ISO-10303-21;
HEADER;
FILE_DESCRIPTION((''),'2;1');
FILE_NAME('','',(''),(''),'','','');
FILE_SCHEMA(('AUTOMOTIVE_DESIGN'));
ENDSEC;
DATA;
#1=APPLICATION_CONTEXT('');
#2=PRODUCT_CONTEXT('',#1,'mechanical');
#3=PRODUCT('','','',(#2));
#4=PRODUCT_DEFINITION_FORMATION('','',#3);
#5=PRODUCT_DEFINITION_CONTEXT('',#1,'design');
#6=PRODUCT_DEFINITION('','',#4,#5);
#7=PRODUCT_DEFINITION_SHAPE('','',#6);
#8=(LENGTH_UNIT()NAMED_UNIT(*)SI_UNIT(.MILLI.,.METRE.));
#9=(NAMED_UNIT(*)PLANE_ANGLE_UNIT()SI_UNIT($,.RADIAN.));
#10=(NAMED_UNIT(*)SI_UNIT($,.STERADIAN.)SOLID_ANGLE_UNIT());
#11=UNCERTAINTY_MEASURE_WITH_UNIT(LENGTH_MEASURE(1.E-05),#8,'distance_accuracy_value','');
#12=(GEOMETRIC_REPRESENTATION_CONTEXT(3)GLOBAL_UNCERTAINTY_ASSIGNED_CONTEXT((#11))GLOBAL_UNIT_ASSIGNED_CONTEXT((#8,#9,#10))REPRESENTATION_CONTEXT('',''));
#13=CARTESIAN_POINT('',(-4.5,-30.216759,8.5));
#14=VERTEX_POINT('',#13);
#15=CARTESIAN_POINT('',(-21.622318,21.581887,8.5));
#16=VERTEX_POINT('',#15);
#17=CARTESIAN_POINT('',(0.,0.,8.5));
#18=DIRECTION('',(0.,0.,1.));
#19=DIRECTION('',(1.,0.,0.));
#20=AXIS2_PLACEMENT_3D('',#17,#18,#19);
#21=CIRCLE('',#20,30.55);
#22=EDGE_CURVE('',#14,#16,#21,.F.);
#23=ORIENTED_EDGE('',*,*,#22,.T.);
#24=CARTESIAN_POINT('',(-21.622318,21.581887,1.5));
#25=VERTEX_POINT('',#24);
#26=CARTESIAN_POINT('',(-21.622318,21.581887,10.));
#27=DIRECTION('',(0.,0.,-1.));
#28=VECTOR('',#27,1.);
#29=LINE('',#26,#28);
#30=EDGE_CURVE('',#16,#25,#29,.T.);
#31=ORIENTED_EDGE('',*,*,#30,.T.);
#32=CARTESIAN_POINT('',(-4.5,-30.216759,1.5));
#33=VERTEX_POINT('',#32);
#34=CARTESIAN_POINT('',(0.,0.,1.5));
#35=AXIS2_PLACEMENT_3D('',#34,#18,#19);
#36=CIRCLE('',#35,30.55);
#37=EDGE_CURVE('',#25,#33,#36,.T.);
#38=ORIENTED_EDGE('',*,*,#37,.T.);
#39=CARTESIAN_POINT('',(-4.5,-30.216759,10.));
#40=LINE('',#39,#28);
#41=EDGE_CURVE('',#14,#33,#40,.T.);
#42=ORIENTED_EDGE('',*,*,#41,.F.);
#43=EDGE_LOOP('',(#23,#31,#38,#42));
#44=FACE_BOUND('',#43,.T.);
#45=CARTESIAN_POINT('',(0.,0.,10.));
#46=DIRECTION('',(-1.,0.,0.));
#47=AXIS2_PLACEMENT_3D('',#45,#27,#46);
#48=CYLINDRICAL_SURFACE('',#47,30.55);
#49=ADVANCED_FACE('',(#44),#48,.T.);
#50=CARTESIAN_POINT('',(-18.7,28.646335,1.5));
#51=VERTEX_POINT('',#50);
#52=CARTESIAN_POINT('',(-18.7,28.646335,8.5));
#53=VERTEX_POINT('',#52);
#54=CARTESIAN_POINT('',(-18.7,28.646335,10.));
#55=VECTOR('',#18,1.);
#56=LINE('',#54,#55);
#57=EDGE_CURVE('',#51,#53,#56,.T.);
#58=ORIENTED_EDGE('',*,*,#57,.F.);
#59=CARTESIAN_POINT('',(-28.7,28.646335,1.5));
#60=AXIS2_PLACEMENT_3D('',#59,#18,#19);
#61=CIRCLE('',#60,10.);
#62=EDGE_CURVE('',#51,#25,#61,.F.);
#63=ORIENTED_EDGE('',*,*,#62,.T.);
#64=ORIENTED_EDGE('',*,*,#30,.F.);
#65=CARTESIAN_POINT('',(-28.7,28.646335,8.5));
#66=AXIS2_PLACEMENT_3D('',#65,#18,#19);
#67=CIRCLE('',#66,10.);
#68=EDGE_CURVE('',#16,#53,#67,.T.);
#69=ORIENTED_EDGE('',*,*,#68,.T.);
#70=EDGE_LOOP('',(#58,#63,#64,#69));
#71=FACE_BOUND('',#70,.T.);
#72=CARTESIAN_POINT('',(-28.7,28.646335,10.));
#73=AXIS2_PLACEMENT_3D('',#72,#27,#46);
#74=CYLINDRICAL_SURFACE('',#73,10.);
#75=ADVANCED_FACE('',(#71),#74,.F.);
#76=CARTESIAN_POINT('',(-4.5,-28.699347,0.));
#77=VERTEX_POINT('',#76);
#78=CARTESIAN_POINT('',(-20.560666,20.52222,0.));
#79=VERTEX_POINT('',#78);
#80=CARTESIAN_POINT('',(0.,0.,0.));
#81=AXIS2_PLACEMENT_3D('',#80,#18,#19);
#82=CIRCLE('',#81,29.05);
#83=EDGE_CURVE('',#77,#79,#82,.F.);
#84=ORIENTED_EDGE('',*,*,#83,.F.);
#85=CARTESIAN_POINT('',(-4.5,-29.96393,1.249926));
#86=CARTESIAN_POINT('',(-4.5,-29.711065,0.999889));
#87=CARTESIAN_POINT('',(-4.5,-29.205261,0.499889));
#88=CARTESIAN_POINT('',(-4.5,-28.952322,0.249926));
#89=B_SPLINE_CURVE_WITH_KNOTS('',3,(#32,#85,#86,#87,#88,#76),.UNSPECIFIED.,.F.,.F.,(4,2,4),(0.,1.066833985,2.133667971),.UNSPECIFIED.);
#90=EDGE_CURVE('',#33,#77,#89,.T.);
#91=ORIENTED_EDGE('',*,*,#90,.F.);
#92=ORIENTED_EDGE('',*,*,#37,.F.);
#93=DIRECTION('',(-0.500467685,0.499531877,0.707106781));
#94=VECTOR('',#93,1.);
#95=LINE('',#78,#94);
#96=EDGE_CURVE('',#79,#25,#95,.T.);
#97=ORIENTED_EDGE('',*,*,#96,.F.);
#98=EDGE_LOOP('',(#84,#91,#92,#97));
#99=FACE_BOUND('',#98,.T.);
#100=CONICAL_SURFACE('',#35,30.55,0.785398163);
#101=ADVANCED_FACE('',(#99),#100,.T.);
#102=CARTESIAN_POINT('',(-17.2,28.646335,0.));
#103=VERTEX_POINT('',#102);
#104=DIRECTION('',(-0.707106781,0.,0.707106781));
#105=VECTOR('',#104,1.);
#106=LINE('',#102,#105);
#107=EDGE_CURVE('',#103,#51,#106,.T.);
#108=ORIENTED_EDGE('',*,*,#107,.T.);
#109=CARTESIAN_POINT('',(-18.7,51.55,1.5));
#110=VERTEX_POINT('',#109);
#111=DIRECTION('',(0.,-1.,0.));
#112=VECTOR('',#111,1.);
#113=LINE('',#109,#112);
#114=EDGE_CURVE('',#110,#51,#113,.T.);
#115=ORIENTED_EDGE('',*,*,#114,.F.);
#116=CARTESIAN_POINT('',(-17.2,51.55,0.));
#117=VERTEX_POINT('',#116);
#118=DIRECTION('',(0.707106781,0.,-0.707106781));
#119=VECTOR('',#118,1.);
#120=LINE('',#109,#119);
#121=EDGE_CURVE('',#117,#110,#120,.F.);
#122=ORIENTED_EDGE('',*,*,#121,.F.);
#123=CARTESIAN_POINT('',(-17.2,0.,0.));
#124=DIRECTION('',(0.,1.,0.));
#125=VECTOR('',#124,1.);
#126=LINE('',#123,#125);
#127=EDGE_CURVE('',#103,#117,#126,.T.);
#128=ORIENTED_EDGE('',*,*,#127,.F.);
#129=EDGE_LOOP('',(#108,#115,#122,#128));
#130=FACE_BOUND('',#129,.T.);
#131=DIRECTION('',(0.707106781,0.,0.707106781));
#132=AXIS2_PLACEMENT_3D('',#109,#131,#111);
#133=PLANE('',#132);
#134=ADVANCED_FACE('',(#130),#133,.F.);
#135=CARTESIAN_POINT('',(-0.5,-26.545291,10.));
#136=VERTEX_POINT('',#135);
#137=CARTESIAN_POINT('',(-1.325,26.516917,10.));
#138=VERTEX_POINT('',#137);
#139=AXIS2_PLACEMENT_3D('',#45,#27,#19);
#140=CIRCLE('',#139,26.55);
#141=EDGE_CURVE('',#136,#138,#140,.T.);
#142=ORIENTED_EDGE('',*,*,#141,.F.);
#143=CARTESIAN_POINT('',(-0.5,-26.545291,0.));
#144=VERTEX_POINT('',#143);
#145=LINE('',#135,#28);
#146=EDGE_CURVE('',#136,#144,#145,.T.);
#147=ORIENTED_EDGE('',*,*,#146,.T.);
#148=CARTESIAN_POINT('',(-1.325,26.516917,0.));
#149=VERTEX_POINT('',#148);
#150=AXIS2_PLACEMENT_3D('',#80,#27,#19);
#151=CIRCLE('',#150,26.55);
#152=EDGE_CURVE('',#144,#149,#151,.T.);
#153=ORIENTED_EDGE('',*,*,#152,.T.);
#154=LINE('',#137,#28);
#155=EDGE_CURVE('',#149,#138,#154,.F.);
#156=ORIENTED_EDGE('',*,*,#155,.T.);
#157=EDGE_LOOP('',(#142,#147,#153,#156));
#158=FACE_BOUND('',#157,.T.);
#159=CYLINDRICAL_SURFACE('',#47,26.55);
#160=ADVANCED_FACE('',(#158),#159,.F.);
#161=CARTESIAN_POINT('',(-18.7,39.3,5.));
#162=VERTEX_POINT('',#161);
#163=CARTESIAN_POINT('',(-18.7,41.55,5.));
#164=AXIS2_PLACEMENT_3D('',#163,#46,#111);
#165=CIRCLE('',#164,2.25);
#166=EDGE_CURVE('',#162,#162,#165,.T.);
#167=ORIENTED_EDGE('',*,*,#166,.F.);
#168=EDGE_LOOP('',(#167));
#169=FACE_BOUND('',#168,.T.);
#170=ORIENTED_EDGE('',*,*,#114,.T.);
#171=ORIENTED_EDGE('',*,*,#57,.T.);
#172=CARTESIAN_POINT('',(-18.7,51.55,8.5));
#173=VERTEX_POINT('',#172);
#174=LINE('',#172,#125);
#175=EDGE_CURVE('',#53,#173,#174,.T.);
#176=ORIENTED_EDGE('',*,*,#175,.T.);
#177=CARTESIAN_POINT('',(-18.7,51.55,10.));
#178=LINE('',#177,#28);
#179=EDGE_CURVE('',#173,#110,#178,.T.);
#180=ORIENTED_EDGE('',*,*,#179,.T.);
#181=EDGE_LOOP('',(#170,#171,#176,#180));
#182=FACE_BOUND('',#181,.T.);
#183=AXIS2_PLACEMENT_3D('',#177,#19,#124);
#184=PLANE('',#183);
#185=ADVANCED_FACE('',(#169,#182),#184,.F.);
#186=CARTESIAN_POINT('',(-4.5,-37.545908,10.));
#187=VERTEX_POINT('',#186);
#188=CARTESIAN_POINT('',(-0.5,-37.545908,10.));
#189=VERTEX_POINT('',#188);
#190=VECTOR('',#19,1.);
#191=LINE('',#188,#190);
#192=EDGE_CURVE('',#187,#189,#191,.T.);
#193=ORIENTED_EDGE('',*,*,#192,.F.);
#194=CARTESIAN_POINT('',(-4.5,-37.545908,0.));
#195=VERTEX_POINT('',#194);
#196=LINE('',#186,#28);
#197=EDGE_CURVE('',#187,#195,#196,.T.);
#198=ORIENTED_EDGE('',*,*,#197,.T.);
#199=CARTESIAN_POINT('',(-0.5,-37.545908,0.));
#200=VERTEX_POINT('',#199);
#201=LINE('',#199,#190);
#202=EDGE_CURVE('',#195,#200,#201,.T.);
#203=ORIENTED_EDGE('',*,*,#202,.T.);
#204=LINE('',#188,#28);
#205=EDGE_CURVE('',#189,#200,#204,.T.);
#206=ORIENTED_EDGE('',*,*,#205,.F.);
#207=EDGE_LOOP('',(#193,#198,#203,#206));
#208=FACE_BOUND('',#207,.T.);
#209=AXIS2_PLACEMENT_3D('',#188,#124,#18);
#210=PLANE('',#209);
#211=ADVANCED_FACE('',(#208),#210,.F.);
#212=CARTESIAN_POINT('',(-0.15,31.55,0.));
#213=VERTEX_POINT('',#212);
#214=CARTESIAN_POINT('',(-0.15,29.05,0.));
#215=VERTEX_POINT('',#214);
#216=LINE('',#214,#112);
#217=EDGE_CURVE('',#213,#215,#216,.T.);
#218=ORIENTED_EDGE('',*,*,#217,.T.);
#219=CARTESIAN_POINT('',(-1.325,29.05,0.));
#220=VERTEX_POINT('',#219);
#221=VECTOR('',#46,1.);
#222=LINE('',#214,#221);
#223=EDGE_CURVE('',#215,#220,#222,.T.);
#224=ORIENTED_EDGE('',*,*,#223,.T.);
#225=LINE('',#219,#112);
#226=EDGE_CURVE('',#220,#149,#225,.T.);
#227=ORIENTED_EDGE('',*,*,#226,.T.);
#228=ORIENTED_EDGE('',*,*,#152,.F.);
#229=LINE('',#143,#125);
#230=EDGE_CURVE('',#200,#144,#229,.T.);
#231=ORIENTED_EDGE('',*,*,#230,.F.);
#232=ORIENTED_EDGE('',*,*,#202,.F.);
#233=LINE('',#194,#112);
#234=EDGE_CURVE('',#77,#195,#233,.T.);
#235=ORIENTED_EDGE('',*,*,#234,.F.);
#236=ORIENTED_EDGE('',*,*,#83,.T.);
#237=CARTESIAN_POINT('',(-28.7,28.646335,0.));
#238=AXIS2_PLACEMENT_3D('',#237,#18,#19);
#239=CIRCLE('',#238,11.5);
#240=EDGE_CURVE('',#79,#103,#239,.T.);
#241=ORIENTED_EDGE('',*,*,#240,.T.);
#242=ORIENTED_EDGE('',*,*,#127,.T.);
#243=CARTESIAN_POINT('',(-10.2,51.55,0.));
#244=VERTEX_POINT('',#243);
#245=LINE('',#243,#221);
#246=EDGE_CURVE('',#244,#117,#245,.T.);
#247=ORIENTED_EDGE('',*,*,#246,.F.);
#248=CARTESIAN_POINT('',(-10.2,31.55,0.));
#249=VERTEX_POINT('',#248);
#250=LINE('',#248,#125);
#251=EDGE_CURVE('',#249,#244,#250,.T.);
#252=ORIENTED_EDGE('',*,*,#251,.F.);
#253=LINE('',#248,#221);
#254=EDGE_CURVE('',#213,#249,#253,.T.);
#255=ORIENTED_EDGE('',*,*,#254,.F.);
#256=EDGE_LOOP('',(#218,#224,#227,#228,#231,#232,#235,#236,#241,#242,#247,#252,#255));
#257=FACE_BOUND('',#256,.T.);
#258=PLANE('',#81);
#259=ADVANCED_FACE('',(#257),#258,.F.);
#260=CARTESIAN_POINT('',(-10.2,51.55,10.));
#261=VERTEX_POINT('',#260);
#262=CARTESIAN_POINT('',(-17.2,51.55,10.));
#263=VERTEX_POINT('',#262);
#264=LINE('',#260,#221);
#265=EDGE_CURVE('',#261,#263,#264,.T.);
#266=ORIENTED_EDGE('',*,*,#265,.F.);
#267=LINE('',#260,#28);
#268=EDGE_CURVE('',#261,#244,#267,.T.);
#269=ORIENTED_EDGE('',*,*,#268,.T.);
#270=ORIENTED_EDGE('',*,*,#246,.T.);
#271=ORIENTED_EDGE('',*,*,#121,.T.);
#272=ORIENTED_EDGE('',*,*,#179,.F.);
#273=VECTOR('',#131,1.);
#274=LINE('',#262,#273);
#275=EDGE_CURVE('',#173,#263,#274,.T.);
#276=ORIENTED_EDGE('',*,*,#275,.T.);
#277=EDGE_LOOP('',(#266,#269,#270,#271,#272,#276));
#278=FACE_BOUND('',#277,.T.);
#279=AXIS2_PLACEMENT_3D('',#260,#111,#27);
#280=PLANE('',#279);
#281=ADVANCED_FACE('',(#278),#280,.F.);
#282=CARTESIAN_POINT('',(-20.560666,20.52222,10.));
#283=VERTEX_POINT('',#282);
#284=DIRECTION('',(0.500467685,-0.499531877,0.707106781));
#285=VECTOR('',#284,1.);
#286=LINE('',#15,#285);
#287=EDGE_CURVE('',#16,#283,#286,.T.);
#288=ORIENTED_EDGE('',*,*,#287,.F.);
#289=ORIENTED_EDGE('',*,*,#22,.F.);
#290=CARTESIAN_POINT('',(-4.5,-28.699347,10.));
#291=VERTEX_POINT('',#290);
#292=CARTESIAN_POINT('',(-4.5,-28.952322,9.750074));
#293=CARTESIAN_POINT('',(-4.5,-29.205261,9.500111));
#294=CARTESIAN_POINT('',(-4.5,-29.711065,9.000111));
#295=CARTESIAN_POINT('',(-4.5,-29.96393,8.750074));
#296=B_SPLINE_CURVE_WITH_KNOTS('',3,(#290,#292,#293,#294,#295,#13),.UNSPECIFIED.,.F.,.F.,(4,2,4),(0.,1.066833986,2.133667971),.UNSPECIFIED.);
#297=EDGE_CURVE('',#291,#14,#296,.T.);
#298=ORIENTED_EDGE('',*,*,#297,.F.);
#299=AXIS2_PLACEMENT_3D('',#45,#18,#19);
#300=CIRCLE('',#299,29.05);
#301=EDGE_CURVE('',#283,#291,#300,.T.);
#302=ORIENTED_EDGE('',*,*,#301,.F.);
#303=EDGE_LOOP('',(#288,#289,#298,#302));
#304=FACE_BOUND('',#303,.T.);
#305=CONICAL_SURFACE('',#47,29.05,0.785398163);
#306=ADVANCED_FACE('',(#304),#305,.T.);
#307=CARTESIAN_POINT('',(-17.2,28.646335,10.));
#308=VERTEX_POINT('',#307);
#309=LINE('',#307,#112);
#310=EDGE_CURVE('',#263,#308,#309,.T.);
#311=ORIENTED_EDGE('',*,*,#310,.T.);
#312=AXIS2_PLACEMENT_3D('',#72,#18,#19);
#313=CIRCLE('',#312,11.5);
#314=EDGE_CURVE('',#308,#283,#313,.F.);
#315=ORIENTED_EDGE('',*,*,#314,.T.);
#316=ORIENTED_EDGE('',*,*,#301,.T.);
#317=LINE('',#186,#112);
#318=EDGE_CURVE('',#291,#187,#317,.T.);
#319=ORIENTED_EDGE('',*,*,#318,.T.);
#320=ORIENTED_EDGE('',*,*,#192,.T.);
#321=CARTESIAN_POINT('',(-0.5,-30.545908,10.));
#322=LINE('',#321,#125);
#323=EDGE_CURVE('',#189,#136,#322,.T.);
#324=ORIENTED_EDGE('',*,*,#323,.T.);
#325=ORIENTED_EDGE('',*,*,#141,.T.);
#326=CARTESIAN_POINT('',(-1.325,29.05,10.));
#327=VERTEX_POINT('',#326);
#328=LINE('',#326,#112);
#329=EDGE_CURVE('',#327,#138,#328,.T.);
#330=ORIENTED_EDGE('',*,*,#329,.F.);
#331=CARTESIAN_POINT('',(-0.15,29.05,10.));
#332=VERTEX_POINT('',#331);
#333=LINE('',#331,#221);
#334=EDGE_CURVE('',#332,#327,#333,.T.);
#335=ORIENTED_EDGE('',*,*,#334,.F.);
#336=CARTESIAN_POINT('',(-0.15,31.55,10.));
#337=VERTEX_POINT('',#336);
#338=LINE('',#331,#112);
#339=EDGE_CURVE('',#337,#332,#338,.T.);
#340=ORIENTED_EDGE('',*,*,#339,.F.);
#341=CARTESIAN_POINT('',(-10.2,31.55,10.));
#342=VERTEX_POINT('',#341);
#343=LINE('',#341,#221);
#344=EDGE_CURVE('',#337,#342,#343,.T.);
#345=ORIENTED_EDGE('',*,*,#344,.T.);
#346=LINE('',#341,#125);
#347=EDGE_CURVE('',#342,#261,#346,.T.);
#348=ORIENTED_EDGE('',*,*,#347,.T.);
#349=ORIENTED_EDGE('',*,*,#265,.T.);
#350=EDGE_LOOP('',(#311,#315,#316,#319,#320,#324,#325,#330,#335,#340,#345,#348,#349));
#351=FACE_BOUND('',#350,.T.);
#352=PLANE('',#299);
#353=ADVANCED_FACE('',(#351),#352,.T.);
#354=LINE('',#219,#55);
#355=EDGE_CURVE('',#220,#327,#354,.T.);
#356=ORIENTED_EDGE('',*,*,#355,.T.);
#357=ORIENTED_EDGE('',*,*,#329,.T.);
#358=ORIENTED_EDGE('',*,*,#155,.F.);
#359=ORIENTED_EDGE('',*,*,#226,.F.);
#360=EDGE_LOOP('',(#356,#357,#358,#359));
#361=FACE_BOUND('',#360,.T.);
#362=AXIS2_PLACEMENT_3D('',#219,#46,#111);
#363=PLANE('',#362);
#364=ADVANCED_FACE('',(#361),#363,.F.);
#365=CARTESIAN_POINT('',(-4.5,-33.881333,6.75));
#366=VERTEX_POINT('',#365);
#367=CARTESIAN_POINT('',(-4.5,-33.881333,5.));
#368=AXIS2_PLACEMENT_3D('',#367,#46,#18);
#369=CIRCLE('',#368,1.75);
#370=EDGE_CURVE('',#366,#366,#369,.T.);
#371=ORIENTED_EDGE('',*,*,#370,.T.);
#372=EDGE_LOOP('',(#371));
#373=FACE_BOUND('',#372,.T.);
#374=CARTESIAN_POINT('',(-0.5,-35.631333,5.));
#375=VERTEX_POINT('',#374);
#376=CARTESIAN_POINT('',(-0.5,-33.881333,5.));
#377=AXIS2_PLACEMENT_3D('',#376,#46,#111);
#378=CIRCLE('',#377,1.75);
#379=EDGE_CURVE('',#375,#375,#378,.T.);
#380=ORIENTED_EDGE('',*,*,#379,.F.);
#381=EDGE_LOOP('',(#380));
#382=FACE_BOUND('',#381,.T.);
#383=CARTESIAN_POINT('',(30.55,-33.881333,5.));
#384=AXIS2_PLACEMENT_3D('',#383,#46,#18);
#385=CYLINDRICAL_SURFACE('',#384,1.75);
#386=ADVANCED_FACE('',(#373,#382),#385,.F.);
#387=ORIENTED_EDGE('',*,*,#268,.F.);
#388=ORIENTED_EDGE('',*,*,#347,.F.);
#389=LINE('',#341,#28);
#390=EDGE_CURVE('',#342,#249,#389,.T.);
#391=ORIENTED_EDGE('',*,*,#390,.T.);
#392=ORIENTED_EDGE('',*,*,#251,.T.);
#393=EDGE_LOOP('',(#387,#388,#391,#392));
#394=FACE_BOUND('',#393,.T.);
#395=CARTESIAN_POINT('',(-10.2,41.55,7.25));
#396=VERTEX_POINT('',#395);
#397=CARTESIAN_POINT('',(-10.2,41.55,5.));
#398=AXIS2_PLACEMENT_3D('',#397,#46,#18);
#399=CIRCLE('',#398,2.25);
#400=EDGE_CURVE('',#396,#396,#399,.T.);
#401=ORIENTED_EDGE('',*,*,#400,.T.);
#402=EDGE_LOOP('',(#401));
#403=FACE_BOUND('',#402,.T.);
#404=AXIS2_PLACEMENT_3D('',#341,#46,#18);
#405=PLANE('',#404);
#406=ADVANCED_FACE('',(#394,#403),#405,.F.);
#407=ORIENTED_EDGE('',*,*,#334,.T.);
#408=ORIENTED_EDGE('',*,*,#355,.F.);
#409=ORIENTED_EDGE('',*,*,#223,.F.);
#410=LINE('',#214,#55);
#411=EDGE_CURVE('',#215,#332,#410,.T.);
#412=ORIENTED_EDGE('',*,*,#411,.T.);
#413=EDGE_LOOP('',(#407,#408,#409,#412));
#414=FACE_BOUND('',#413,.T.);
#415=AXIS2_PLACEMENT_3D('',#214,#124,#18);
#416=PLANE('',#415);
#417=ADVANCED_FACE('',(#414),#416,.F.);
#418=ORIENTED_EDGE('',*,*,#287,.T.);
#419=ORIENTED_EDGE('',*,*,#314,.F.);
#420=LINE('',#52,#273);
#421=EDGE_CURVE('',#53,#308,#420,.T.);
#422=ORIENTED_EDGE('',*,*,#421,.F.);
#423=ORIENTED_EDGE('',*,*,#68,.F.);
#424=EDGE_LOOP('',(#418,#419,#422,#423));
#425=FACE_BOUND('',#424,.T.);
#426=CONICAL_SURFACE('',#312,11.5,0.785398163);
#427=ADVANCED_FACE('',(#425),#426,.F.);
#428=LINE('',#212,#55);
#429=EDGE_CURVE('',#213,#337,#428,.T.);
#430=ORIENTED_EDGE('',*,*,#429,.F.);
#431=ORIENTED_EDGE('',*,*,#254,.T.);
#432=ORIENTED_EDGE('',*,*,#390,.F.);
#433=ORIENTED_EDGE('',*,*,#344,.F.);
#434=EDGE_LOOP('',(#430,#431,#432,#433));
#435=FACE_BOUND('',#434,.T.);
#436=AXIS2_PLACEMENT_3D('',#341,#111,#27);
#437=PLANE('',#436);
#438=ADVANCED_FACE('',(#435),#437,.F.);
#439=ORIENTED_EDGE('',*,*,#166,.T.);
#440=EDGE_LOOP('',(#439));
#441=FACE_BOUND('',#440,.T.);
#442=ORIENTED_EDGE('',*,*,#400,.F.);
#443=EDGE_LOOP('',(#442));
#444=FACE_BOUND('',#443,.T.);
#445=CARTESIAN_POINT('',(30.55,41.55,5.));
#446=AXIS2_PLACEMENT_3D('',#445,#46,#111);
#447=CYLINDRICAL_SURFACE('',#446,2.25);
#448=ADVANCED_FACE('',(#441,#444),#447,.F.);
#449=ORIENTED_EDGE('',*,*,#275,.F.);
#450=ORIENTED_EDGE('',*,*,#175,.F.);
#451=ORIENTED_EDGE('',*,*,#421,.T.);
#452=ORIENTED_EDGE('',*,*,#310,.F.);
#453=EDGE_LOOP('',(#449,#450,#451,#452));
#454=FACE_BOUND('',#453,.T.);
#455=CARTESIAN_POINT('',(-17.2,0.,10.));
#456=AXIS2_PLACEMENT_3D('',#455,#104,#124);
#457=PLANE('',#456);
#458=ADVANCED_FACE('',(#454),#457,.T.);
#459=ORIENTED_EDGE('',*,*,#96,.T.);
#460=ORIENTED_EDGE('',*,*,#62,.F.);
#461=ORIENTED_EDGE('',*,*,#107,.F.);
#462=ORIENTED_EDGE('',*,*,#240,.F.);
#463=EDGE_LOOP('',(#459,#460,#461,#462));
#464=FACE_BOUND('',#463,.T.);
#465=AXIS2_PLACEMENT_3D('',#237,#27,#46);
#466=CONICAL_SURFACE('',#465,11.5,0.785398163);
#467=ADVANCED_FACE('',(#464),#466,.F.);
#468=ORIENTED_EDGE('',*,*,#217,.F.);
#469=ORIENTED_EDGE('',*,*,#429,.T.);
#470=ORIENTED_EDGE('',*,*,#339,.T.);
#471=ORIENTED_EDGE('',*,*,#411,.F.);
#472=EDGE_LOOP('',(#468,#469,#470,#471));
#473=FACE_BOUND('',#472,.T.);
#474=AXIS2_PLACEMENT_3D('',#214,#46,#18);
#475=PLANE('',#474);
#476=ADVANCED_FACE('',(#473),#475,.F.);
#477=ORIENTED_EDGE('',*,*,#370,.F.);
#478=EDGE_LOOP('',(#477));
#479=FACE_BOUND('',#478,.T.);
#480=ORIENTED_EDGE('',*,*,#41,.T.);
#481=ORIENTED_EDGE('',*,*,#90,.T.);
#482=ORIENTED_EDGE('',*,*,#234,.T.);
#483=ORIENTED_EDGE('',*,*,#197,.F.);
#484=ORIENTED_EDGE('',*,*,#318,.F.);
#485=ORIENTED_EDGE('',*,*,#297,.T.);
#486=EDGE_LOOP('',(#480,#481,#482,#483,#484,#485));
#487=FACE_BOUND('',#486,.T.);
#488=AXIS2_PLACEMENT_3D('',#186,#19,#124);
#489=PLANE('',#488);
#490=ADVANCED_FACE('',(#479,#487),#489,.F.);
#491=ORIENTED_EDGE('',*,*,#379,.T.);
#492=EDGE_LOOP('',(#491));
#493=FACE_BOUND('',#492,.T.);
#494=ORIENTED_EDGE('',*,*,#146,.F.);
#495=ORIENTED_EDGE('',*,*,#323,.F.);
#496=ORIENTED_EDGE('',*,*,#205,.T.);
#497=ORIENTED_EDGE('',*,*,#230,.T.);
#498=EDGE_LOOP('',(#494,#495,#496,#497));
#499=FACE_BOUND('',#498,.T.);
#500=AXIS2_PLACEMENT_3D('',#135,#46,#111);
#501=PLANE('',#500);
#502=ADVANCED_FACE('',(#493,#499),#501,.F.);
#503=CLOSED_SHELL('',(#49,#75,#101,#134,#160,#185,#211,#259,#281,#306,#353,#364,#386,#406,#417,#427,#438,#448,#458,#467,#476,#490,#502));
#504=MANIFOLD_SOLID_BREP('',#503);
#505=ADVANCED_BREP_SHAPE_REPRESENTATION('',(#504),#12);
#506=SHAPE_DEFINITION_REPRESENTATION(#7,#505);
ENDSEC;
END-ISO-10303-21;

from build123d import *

# Parameters (mm, degrees)
AUFSATZ_LINEAR_AUSTRAGEN1_DEPTH = 10
SKIZZE2_R                       = 1.75
SCHNITT_LINEAR_AUSTRAGEN1_DEPTH = 36.05
SKIZZE4_R                       = 2.25
SCHNITT_LINEAR_AUSTRAGEN3_DEPTH = 50.25
VERRUNDUNG1_R                   = 10
SCHNITT_LINEAR_AUSTRAGEN5_DEPTH = 11
FASE1_SIZE                      = 1.5
SCHNITT_LINEAR_AUSTRAGEN6_DEPTH = 11


with BuildPart() as part:
    # Skizze1 → Aufsatz-Linear austragen1 (new body)
    with BuildSketch(Plane.XY):
        with BuildLine():
            Line((0.5, -26.545291485), (0.5, -30.545908073))
            Line((0.5, -30.545908073), (0.5, -37.545908073))
            Line((0.5, -37.545908073), (4.5, -37.545908073))
            Line((4.5, -37.545908073), (4.5, -30.216758595))
            ThreePointArc((4.5, -30.216758595), (29.558680329, -7.719256261), (18.7, 24.158073185))
            Line((18.7, 24.158073185), (18.7, 51.55))
            Line((18.7, 51.55), (10.2, 51.55))
            Line((10.2, 51.55), (10.2, 31.55))
            Line((10.2, 31.55), (-10.2, 31.55))
            Line((-10.2, 31.55), (-10.2, 51.55))
            Line((-10.2, 51.55), (-18.7, 51.55))
            Line((-18.7, 51.55), (-18.7, 24.158073185))
            ThreePointArc((-18.7, 24.158073185), (-29.558680329, -7.719256261), (-4.5, -30.216758595))
            Line((-4.5, -30.216758595), (-4.5, -37.545908073))
            Line((-4.5, -37.545908073), (-0.5, -37.545908073))
            Line((-0.5, -37.545908073), (-0.5, -30.545908073))
            Line((-0.5, -30.545908073), (-0.5, -26.545291485))
            ThreePointArc((-0.5, -26.545291485), (0, 26.55), (0.5, -26.545291485))
        make_face()
    extrude(amount=AUFSATZ_LINEAR_AUSTRAGEN1_DEPTH)

    # Skizze2 → Schnitt-Linear austragen1 (cut, through all)
    with BuildSketch(Plane.ZY.offset(4.5)):
        with Locations((5, -33.881333334)):
            Circle(SKIZZE2_R)
    extrude(amount=-SCHNITT_LINEAR_AUSTRAGEN1_DEPTH, mode=Mode.SUBTRACT)

    # Skizze4 → Schnitt-Linear austragen3 (cut, through all)
    with BuildSketch(Plane.ZY.offset(18.7)):
        with Locations((5, 41.55)):
            Circle(SKIZZE4_R)
    extrude(amount=-SCHNITT_LINEAR_AUSTRAGEN3_DEPTH, mode=Mode.SUBTRACT)

    # Verrundung1
    verrundung1_edges = [part.edges().sort_by_distance(p)[0] for p in [
        (-18.7, 24.158073185, 5),
        (18.7, 24.158073185, 5),
    ]]
    fillet(verrundung1_edges, radius=VERRUNDUNG1_R)

    # Skizze6 → Schnitt-Linear austragen5 (cut, through all)
    with BuildSketch(Plane.XY):
        Polygon((0, 0), (0, 63.91348789), (40.013946788, 63.91348789), (48.360414216, -54.819102682), (0, -54.819102682), align=None)
    extrude(amount=SCHNITT_LINEAR_AUSTRAGEN5_DEPTH, mode=Mode.SUBTRACT)

    # Fase1
    fase1_edges = [part.edges().sort_by_distance(p)[0] for p in [
        (-18.7, 40.098167422, 0),
        (-18.7, 40.098167422, 10),
        (-29.006358008, -9.588206043, 0),
        (-29.006358008, -9.588206043, 10),
        (-19.459415096, 24.823823807, 0),
        (-19.459415096, 24.823823807, 10),
    ]]
    chamfer(fase1_edges, length=FASE1_SIZE)

    # Skizze7 → Schnitt-Linear austragen6 (cut, through all)
    with BuildSketch(Plane.XY.offset(10)):
        Polygon((1.325, 29.05), (0, 29.05), (0, 31.55), (-0.15, 31.55), (-0.15, 29.05), (-1.325, 29.05), (-1.325, 25.137104209), (1.325, 25.137104209), align=None)
    extrude(amount=-SCHNITT_LINEAR_AUSTRAGEN6_DEPTH, mode=Mode.SUBTRACT)


solid = part.part
